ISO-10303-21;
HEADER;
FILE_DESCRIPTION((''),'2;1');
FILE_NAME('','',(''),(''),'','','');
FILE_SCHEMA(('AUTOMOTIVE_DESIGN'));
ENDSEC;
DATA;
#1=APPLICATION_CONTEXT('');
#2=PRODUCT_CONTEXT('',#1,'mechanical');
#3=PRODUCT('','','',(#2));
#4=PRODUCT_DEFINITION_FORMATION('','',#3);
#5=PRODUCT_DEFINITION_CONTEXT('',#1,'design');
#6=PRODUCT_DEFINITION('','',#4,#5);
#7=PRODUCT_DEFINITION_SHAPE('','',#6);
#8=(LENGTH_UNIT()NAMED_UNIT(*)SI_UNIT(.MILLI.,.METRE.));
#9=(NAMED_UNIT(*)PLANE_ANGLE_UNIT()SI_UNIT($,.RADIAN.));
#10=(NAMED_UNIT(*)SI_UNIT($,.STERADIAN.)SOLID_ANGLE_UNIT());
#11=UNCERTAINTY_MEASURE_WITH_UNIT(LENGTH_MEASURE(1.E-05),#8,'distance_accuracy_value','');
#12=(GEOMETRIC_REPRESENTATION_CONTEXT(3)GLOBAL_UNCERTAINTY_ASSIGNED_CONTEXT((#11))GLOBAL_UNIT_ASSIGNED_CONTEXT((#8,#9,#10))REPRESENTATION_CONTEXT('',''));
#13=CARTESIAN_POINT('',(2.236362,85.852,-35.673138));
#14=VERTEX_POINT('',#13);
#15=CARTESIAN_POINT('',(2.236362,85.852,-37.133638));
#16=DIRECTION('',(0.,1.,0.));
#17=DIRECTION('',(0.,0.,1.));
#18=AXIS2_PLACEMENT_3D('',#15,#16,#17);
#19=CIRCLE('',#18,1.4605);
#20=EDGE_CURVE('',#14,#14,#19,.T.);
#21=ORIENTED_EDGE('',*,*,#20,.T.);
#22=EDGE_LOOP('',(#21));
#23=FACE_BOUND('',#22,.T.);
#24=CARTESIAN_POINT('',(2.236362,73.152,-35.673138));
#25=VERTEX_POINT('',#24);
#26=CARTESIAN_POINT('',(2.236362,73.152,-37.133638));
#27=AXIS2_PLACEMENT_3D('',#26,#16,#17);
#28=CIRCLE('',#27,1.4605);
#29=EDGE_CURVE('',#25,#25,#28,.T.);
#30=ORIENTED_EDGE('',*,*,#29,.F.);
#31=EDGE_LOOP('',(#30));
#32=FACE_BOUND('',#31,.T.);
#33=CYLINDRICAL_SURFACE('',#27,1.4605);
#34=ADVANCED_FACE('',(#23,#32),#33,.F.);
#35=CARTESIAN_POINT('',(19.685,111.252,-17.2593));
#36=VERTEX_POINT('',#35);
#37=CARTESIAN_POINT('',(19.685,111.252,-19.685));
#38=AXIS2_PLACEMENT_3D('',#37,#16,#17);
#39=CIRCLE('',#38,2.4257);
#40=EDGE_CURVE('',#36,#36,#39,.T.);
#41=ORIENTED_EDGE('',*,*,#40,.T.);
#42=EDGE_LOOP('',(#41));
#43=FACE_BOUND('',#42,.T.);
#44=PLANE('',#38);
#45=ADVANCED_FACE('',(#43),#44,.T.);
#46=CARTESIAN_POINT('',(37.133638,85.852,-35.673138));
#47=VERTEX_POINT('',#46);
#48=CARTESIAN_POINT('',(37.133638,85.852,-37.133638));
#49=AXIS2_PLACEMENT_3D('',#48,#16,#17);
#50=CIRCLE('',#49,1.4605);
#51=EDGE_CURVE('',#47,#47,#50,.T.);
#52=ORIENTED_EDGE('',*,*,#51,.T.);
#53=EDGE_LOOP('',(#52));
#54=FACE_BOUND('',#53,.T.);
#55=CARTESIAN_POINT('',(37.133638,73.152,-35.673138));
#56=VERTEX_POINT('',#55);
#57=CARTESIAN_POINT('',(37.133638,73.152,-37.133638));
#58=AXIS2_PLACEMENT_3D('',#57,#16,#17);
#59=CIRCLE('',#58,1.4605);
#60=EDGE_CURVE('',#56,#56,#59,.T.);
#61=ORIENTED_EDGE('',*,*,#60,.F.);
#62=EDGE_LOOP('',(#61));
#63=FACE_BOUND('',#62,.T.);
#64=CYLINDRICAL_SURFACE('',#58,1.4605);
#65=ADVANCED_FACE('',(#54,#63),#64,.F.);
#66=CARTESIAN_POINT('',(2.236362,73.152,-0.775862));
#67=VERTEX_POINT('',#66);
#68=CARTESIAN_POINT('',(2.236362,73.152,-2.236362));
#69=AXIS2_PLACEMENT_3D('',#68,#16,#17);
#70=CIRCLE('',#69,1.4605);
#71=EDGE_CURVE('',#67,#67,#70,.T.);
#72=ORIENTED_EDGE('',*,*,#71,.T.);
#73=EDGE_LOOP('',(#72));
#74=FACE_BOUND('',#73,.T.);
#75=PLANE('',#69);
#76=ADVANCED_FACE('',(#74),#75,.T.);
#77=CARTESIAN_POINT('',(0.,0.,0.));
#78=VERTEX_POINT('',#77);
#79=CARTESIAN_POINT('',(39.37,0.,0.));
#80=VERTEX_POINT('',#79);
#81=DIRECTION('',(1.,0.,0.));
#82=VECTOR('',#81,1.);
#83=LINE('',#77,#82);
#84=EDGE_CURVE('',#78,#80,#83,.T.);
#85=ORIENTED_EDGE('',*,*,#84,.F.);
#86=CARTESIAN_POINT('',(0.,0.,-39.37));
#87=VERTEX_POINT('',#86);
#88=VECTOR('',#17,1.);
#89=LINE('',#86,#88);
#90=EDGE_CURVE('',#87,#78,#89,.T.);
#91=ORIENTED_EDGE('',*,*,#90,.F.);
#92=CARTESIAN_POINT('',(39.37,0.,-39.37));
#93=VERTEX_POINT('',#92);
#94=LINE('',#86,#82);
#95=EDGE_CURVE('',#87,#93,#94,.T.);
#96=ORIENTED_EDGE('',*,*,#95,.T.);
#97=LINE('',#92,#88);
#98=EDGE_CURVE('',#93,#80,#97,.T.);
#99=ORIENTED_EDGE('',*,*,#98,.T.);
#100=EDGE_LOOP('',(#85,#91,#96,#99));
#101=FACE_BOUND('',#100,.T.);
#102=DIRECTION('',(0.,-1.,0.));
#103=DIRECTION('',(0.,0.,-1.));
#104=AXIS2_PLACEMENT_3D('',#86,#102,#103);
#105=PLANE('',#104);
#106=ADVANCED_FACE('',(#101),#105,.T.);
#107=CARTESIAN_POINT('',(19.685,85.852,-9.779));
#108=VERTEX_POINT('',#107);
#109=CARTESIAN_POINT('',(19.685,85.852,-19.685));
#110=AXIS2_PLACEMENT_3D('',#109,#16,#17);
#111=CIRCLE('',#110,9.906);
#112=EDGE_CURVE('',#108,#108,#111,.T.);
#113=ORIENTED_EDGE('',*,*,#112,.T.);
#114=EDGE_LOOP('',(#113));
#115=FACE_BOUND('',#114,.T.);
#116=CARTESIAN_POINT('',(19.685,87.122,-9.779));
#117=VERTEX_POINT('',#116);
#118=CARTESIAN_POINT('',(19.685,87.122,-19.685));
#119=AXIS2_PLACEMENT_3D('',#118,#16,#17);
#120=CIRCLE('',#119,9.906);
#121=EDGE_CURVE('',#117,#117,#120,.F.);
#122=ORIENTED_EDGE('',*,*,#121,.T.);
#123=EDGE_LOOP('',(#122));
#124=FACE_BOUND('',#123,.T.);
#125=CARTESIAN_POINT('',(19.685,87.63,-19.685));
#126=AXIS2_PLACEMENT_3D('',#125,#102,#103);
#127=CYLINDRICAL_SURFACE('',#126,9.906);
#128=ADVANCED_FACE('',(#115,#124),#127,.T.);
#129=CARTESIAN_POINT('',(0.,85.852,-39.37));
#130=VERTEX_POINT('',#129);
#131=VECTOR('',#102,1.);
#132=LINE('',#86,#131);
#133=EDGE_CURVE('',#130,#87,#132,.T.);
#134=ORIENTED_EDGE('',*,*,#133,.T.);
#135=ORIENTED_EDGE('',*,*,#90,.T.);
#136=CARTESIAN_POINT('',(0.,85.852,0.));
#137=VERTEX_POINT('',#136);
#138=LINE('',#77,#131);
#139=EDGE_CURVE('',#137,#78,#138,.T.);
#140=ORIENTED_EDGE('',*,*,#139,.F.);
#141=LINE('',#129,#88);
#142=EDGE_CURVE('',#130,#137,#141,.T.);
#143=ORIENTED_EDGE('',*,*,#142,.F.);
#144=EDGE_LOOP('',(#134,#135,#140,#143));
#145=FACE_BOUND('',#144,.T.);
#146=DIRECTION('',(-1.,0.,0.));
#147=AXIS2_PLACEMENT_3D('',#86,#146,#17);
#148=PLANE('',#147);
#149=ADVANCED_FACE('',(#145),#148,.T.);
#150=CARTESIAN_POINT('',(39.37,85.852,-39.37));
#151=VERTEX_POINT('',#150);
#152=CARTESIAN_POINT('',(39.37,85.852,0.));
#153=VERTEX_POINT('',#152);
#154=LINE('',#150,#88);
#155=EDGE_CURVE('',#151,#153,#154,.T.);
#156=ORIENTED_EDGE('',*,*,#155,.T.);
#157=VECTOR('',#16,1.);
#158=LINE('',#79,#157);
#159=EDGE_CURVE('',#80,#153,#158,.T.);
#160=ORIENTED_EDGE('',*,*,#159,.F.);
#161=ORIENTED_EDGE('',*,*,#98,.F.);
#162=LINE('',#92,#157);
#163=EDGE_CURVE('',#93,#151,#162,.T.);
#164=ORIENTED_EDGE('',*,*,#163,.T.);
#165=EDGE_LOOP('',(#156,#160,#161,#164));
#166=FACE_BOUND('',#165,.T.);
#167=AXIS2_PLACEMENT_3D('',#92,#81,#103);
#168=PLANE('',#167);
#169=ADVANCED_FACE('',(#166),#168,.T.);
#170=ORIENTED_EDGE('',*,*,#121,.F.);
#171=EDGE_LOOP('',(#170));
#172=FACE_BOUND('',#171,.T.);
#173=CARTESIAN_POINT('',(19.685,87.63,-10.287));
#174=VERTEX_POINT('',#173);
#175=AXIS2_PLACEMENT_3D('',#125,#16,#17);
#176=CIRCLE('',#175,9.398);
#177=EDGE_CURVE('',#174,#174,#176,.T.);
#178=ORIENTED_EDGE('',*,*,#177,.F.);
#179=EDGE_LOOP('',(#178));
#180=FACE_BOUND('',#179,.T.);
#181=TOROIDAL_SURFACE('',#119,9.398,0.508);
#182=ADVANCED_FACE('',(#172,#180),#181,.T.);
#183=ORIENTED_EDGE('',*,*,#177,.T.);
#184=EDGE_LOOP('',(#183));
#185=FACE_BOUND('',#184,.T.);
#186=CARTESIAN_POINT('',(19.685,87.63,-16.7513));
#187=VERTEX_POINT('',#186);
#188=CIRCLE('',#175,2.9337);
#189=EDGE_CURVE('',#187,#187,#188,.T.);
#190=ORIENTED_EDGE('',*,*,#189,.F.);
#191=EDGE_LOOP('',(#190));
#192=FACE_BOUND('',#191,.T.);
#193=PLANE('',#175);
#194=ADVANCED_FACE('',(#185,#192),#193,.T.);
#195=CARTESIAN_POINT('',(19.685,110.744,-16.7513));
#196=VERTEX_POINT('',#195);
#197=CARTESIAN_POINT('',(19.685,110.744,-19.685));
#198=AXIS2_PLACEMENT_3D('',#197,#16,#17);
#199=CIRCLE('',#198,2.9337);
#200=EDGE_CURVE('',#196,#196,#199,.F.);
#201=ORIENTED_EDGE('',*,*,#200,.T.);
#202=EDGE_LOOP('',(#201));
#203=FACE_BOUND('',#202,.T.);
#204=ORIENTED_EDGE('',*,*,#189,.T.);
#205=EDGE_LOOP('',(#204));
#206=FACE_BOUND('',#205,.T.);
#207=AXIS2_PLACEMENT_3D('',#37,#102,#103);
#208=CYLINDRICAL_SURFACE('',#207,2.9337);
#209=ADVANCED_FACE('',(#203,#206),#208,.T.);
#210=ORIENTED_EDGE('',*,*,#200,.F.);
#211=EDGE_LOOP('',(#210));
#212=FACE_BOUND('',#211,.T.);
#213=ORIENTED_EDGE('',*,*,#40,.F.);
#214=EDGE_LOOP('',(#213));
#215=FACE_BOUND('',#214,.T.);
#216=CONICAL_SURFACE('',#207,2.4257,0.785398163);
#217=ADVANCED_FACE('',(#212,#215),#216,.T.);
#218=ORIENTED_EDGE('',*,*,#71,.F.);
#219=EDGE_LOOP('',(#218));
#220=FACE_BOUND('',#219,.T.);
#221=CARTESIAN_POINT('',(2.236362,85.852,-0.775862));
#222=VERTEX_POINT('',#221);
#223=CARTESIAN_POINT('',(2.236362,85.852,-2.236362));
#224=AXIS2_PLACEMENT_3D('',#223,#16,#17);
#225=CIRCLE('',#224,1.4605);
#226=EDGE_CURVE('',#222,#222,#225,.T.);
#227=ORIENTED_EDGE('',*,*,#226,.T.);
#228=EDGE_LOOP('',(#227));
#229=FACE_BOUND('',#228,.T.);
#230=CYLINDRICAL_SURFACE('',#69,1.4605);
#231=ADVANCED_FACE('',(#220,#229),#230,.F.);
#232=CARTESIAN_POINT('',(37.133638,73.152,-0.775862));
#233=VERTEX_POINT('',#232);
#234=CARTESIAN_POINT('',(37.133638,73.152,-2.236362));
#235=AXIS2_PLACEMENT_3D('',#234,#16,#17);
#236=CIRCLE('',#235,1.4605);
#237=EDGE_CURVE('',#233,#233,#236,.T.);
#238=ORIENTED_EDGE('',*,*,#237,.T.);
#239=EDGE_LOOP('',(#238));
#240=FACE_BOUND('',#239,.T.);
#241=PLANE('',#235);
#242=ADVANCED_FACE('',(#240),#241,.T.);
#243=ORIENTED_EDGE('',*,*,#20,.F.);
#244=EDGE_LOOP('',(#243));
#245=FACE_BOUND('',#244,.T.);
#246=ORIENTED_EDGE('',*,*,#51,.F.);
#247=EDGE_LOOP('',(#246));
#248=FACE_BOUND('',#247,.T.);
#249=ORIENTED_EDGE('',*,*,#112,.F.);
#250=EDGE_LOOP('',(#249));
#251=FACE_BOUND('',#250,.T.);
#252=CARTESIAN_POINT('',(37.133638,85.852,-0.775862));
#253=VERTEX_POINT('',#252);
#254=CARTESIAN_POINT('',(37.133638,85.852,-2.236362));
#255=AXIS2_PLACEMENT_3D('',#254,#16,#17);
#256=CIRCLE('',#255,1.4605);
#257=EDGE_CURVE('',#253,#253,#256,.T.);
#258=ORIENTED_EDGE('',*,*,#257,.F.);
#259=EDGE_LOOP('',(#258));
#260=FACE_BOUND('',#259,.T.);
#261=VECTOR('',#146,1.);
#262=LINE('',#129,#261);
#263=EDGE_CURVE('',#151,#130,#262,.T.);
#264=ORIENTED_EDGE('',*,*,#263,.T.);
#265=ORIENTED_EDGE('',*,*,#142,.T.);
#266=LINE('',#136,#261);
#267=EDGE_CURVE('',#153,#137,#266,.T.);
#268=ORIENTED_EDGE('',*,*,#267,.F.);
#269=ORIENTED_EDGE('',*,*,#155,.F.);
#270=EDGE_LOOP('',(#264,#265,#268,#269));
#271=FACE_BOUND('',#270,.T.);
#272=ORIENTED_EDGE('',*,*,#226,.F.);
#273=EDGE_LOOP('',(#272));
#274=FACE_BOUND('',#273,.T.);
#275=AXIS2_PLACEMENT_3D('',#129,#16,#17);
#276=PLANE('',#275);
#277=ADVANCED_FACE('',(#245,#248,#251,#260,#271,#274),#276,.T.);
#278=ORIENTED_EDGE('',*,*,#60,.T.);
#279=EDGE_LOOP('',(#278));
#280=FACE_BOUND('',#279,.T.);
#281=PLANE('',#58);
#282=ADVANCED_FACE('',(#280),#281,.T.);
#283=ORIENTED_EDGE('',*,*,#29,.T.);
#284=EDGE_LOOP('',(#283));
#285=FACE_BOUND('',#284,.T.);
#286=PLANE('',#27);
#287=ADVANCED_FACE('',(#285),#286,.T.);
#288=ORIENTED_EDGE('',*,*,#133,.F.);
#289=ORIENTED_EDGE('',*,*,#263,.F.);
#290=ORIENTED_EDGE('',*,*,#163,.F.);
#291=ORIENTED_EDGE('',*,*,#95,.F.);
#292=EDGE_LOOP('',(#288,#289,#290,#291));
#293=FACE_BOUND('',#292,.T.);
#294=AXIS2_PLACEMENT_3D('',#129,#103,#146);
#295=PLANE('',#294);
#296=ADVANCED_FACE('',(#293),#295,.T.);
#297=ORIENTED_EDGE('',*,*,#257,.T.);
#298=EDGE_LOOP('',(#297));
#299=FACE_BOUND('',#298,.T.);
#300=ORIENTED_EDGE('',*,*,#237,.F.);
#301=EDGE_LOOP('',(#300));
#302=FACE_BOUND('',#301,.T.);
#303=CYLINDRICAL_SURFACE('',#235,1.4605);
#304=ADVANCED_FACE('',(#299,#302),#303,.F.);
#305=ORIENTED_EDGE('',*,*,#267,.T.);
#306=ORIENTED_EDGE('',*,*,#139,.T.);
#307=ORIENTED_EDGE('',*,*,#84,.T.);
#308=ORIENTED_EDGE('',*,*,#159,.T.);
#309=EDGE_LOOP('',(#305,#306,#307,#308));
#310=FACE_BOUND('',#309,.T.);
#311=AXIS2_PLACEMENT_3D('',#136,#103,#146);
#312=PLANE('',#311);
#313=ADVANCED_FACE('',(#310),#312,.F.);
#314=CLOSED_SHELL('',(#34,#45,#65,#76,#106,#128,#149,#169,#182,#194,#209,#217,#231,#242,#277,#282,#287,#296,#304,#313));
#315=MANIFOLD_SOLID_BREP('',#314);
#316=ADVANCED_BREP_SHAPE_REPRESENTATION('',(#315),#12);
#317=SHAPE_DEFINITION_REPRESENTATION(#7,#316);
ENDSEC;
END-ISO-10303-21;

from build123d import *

# Parameters (mm, degrees)
SKETCH1_W      = 39.37
SKETCH1_H      = 85.852
EXTRUDE1_DEPTH = 39.37
SKETCH2_R      = 2.9337
EXTRUDE2_DEPTH = 25.4
CHAMFER1_SIZE  = 0.508
SKETCH4_R      = 9.906
EXTRUDE3_DEPTH = 1.778
FILLET3_R      = 0.508
SKETCH5_R      = 1.4605
EXTRUDE4_DEPTH = 12.7


with BuildPart() as part:
    # Sketch1 → Extrude1 (new body)
    with BuildSketch(Plane.XY):
        with Locations((19.685, 42.926)):
            Rectangle(SKETCH1_W, SKETCH1_H)
    extrude(amount=-EXTRUDE1_DEPTH)

    # Sketch2 → Extrude2 (add)
    with BuildSketch(Plane(origin=(0, 85.852, 0), x_dir=(1, 0, 0), z_dir=(0, 1, 0))):
        with Locations(Location((19.685, 19.685, 0), (0, 0, 270))):
            Circle(SKETCH2_R)
    extrude(amount=EXTRUDE2_DEPTH)

    # Chamfer1
    chamfer1_edges = [part.edges().sort_by_distance(p)[0] for p in [
        (19.685, 111.252, -22.6187),
    ]]
    chamfer(chamfer1_edges, length=CHAMFER1_SIZE)

    # Sketch4 → Extrude3 (add)
    with BuildSketch(Plane(origin=(0, 85.852, 0), x_dir=(1, 0, 0), z_dir=(0, 1, 0))):
        with Locations(Location((19.685, 19.685, 0), (0, 0, 270))):
            Circle(SKETCH4_R)
    extrude(amount=EXTRUDE3_DEPTH)

    # Fillet3
    fillet3_edges = [part.edges().sort_by_distance(p)[0] for p in [
        (19.685, 87.63, -29.591),
    ]]
    fillet(fillet3_edges, radius=FILLET3_R)

    # Sketch5 → Extrude4 (cut)
    with BuildSketch(Plane(origin=(0, 85.852, 0), x_dir=(1, 0, 0), z_dir=(0, 1, 0))):
        with Locations(Location((2.236362357, 37.133637643, 0), (0, 0, 270))):
            Circle(SKETCH5_R)
        with Locations(Location((37.133637643, 37.133637643, 0), (0, 0, 270))):
            Circle(SKETCH5_R)
        with Locations(Location((37.133637643, 2.236362357, 0), (0, 0, 270))):
            Circle(SKETCH5_R)
        with Locations(Location((2.236362357, 2.236362357, 0), (0, 0, 270))):
            Circle(SKETCH5_R)
    extrude(amount=-EXTRUDE4_DEPTH, mode=Mode.SUBTRACT)


solid = part.part
